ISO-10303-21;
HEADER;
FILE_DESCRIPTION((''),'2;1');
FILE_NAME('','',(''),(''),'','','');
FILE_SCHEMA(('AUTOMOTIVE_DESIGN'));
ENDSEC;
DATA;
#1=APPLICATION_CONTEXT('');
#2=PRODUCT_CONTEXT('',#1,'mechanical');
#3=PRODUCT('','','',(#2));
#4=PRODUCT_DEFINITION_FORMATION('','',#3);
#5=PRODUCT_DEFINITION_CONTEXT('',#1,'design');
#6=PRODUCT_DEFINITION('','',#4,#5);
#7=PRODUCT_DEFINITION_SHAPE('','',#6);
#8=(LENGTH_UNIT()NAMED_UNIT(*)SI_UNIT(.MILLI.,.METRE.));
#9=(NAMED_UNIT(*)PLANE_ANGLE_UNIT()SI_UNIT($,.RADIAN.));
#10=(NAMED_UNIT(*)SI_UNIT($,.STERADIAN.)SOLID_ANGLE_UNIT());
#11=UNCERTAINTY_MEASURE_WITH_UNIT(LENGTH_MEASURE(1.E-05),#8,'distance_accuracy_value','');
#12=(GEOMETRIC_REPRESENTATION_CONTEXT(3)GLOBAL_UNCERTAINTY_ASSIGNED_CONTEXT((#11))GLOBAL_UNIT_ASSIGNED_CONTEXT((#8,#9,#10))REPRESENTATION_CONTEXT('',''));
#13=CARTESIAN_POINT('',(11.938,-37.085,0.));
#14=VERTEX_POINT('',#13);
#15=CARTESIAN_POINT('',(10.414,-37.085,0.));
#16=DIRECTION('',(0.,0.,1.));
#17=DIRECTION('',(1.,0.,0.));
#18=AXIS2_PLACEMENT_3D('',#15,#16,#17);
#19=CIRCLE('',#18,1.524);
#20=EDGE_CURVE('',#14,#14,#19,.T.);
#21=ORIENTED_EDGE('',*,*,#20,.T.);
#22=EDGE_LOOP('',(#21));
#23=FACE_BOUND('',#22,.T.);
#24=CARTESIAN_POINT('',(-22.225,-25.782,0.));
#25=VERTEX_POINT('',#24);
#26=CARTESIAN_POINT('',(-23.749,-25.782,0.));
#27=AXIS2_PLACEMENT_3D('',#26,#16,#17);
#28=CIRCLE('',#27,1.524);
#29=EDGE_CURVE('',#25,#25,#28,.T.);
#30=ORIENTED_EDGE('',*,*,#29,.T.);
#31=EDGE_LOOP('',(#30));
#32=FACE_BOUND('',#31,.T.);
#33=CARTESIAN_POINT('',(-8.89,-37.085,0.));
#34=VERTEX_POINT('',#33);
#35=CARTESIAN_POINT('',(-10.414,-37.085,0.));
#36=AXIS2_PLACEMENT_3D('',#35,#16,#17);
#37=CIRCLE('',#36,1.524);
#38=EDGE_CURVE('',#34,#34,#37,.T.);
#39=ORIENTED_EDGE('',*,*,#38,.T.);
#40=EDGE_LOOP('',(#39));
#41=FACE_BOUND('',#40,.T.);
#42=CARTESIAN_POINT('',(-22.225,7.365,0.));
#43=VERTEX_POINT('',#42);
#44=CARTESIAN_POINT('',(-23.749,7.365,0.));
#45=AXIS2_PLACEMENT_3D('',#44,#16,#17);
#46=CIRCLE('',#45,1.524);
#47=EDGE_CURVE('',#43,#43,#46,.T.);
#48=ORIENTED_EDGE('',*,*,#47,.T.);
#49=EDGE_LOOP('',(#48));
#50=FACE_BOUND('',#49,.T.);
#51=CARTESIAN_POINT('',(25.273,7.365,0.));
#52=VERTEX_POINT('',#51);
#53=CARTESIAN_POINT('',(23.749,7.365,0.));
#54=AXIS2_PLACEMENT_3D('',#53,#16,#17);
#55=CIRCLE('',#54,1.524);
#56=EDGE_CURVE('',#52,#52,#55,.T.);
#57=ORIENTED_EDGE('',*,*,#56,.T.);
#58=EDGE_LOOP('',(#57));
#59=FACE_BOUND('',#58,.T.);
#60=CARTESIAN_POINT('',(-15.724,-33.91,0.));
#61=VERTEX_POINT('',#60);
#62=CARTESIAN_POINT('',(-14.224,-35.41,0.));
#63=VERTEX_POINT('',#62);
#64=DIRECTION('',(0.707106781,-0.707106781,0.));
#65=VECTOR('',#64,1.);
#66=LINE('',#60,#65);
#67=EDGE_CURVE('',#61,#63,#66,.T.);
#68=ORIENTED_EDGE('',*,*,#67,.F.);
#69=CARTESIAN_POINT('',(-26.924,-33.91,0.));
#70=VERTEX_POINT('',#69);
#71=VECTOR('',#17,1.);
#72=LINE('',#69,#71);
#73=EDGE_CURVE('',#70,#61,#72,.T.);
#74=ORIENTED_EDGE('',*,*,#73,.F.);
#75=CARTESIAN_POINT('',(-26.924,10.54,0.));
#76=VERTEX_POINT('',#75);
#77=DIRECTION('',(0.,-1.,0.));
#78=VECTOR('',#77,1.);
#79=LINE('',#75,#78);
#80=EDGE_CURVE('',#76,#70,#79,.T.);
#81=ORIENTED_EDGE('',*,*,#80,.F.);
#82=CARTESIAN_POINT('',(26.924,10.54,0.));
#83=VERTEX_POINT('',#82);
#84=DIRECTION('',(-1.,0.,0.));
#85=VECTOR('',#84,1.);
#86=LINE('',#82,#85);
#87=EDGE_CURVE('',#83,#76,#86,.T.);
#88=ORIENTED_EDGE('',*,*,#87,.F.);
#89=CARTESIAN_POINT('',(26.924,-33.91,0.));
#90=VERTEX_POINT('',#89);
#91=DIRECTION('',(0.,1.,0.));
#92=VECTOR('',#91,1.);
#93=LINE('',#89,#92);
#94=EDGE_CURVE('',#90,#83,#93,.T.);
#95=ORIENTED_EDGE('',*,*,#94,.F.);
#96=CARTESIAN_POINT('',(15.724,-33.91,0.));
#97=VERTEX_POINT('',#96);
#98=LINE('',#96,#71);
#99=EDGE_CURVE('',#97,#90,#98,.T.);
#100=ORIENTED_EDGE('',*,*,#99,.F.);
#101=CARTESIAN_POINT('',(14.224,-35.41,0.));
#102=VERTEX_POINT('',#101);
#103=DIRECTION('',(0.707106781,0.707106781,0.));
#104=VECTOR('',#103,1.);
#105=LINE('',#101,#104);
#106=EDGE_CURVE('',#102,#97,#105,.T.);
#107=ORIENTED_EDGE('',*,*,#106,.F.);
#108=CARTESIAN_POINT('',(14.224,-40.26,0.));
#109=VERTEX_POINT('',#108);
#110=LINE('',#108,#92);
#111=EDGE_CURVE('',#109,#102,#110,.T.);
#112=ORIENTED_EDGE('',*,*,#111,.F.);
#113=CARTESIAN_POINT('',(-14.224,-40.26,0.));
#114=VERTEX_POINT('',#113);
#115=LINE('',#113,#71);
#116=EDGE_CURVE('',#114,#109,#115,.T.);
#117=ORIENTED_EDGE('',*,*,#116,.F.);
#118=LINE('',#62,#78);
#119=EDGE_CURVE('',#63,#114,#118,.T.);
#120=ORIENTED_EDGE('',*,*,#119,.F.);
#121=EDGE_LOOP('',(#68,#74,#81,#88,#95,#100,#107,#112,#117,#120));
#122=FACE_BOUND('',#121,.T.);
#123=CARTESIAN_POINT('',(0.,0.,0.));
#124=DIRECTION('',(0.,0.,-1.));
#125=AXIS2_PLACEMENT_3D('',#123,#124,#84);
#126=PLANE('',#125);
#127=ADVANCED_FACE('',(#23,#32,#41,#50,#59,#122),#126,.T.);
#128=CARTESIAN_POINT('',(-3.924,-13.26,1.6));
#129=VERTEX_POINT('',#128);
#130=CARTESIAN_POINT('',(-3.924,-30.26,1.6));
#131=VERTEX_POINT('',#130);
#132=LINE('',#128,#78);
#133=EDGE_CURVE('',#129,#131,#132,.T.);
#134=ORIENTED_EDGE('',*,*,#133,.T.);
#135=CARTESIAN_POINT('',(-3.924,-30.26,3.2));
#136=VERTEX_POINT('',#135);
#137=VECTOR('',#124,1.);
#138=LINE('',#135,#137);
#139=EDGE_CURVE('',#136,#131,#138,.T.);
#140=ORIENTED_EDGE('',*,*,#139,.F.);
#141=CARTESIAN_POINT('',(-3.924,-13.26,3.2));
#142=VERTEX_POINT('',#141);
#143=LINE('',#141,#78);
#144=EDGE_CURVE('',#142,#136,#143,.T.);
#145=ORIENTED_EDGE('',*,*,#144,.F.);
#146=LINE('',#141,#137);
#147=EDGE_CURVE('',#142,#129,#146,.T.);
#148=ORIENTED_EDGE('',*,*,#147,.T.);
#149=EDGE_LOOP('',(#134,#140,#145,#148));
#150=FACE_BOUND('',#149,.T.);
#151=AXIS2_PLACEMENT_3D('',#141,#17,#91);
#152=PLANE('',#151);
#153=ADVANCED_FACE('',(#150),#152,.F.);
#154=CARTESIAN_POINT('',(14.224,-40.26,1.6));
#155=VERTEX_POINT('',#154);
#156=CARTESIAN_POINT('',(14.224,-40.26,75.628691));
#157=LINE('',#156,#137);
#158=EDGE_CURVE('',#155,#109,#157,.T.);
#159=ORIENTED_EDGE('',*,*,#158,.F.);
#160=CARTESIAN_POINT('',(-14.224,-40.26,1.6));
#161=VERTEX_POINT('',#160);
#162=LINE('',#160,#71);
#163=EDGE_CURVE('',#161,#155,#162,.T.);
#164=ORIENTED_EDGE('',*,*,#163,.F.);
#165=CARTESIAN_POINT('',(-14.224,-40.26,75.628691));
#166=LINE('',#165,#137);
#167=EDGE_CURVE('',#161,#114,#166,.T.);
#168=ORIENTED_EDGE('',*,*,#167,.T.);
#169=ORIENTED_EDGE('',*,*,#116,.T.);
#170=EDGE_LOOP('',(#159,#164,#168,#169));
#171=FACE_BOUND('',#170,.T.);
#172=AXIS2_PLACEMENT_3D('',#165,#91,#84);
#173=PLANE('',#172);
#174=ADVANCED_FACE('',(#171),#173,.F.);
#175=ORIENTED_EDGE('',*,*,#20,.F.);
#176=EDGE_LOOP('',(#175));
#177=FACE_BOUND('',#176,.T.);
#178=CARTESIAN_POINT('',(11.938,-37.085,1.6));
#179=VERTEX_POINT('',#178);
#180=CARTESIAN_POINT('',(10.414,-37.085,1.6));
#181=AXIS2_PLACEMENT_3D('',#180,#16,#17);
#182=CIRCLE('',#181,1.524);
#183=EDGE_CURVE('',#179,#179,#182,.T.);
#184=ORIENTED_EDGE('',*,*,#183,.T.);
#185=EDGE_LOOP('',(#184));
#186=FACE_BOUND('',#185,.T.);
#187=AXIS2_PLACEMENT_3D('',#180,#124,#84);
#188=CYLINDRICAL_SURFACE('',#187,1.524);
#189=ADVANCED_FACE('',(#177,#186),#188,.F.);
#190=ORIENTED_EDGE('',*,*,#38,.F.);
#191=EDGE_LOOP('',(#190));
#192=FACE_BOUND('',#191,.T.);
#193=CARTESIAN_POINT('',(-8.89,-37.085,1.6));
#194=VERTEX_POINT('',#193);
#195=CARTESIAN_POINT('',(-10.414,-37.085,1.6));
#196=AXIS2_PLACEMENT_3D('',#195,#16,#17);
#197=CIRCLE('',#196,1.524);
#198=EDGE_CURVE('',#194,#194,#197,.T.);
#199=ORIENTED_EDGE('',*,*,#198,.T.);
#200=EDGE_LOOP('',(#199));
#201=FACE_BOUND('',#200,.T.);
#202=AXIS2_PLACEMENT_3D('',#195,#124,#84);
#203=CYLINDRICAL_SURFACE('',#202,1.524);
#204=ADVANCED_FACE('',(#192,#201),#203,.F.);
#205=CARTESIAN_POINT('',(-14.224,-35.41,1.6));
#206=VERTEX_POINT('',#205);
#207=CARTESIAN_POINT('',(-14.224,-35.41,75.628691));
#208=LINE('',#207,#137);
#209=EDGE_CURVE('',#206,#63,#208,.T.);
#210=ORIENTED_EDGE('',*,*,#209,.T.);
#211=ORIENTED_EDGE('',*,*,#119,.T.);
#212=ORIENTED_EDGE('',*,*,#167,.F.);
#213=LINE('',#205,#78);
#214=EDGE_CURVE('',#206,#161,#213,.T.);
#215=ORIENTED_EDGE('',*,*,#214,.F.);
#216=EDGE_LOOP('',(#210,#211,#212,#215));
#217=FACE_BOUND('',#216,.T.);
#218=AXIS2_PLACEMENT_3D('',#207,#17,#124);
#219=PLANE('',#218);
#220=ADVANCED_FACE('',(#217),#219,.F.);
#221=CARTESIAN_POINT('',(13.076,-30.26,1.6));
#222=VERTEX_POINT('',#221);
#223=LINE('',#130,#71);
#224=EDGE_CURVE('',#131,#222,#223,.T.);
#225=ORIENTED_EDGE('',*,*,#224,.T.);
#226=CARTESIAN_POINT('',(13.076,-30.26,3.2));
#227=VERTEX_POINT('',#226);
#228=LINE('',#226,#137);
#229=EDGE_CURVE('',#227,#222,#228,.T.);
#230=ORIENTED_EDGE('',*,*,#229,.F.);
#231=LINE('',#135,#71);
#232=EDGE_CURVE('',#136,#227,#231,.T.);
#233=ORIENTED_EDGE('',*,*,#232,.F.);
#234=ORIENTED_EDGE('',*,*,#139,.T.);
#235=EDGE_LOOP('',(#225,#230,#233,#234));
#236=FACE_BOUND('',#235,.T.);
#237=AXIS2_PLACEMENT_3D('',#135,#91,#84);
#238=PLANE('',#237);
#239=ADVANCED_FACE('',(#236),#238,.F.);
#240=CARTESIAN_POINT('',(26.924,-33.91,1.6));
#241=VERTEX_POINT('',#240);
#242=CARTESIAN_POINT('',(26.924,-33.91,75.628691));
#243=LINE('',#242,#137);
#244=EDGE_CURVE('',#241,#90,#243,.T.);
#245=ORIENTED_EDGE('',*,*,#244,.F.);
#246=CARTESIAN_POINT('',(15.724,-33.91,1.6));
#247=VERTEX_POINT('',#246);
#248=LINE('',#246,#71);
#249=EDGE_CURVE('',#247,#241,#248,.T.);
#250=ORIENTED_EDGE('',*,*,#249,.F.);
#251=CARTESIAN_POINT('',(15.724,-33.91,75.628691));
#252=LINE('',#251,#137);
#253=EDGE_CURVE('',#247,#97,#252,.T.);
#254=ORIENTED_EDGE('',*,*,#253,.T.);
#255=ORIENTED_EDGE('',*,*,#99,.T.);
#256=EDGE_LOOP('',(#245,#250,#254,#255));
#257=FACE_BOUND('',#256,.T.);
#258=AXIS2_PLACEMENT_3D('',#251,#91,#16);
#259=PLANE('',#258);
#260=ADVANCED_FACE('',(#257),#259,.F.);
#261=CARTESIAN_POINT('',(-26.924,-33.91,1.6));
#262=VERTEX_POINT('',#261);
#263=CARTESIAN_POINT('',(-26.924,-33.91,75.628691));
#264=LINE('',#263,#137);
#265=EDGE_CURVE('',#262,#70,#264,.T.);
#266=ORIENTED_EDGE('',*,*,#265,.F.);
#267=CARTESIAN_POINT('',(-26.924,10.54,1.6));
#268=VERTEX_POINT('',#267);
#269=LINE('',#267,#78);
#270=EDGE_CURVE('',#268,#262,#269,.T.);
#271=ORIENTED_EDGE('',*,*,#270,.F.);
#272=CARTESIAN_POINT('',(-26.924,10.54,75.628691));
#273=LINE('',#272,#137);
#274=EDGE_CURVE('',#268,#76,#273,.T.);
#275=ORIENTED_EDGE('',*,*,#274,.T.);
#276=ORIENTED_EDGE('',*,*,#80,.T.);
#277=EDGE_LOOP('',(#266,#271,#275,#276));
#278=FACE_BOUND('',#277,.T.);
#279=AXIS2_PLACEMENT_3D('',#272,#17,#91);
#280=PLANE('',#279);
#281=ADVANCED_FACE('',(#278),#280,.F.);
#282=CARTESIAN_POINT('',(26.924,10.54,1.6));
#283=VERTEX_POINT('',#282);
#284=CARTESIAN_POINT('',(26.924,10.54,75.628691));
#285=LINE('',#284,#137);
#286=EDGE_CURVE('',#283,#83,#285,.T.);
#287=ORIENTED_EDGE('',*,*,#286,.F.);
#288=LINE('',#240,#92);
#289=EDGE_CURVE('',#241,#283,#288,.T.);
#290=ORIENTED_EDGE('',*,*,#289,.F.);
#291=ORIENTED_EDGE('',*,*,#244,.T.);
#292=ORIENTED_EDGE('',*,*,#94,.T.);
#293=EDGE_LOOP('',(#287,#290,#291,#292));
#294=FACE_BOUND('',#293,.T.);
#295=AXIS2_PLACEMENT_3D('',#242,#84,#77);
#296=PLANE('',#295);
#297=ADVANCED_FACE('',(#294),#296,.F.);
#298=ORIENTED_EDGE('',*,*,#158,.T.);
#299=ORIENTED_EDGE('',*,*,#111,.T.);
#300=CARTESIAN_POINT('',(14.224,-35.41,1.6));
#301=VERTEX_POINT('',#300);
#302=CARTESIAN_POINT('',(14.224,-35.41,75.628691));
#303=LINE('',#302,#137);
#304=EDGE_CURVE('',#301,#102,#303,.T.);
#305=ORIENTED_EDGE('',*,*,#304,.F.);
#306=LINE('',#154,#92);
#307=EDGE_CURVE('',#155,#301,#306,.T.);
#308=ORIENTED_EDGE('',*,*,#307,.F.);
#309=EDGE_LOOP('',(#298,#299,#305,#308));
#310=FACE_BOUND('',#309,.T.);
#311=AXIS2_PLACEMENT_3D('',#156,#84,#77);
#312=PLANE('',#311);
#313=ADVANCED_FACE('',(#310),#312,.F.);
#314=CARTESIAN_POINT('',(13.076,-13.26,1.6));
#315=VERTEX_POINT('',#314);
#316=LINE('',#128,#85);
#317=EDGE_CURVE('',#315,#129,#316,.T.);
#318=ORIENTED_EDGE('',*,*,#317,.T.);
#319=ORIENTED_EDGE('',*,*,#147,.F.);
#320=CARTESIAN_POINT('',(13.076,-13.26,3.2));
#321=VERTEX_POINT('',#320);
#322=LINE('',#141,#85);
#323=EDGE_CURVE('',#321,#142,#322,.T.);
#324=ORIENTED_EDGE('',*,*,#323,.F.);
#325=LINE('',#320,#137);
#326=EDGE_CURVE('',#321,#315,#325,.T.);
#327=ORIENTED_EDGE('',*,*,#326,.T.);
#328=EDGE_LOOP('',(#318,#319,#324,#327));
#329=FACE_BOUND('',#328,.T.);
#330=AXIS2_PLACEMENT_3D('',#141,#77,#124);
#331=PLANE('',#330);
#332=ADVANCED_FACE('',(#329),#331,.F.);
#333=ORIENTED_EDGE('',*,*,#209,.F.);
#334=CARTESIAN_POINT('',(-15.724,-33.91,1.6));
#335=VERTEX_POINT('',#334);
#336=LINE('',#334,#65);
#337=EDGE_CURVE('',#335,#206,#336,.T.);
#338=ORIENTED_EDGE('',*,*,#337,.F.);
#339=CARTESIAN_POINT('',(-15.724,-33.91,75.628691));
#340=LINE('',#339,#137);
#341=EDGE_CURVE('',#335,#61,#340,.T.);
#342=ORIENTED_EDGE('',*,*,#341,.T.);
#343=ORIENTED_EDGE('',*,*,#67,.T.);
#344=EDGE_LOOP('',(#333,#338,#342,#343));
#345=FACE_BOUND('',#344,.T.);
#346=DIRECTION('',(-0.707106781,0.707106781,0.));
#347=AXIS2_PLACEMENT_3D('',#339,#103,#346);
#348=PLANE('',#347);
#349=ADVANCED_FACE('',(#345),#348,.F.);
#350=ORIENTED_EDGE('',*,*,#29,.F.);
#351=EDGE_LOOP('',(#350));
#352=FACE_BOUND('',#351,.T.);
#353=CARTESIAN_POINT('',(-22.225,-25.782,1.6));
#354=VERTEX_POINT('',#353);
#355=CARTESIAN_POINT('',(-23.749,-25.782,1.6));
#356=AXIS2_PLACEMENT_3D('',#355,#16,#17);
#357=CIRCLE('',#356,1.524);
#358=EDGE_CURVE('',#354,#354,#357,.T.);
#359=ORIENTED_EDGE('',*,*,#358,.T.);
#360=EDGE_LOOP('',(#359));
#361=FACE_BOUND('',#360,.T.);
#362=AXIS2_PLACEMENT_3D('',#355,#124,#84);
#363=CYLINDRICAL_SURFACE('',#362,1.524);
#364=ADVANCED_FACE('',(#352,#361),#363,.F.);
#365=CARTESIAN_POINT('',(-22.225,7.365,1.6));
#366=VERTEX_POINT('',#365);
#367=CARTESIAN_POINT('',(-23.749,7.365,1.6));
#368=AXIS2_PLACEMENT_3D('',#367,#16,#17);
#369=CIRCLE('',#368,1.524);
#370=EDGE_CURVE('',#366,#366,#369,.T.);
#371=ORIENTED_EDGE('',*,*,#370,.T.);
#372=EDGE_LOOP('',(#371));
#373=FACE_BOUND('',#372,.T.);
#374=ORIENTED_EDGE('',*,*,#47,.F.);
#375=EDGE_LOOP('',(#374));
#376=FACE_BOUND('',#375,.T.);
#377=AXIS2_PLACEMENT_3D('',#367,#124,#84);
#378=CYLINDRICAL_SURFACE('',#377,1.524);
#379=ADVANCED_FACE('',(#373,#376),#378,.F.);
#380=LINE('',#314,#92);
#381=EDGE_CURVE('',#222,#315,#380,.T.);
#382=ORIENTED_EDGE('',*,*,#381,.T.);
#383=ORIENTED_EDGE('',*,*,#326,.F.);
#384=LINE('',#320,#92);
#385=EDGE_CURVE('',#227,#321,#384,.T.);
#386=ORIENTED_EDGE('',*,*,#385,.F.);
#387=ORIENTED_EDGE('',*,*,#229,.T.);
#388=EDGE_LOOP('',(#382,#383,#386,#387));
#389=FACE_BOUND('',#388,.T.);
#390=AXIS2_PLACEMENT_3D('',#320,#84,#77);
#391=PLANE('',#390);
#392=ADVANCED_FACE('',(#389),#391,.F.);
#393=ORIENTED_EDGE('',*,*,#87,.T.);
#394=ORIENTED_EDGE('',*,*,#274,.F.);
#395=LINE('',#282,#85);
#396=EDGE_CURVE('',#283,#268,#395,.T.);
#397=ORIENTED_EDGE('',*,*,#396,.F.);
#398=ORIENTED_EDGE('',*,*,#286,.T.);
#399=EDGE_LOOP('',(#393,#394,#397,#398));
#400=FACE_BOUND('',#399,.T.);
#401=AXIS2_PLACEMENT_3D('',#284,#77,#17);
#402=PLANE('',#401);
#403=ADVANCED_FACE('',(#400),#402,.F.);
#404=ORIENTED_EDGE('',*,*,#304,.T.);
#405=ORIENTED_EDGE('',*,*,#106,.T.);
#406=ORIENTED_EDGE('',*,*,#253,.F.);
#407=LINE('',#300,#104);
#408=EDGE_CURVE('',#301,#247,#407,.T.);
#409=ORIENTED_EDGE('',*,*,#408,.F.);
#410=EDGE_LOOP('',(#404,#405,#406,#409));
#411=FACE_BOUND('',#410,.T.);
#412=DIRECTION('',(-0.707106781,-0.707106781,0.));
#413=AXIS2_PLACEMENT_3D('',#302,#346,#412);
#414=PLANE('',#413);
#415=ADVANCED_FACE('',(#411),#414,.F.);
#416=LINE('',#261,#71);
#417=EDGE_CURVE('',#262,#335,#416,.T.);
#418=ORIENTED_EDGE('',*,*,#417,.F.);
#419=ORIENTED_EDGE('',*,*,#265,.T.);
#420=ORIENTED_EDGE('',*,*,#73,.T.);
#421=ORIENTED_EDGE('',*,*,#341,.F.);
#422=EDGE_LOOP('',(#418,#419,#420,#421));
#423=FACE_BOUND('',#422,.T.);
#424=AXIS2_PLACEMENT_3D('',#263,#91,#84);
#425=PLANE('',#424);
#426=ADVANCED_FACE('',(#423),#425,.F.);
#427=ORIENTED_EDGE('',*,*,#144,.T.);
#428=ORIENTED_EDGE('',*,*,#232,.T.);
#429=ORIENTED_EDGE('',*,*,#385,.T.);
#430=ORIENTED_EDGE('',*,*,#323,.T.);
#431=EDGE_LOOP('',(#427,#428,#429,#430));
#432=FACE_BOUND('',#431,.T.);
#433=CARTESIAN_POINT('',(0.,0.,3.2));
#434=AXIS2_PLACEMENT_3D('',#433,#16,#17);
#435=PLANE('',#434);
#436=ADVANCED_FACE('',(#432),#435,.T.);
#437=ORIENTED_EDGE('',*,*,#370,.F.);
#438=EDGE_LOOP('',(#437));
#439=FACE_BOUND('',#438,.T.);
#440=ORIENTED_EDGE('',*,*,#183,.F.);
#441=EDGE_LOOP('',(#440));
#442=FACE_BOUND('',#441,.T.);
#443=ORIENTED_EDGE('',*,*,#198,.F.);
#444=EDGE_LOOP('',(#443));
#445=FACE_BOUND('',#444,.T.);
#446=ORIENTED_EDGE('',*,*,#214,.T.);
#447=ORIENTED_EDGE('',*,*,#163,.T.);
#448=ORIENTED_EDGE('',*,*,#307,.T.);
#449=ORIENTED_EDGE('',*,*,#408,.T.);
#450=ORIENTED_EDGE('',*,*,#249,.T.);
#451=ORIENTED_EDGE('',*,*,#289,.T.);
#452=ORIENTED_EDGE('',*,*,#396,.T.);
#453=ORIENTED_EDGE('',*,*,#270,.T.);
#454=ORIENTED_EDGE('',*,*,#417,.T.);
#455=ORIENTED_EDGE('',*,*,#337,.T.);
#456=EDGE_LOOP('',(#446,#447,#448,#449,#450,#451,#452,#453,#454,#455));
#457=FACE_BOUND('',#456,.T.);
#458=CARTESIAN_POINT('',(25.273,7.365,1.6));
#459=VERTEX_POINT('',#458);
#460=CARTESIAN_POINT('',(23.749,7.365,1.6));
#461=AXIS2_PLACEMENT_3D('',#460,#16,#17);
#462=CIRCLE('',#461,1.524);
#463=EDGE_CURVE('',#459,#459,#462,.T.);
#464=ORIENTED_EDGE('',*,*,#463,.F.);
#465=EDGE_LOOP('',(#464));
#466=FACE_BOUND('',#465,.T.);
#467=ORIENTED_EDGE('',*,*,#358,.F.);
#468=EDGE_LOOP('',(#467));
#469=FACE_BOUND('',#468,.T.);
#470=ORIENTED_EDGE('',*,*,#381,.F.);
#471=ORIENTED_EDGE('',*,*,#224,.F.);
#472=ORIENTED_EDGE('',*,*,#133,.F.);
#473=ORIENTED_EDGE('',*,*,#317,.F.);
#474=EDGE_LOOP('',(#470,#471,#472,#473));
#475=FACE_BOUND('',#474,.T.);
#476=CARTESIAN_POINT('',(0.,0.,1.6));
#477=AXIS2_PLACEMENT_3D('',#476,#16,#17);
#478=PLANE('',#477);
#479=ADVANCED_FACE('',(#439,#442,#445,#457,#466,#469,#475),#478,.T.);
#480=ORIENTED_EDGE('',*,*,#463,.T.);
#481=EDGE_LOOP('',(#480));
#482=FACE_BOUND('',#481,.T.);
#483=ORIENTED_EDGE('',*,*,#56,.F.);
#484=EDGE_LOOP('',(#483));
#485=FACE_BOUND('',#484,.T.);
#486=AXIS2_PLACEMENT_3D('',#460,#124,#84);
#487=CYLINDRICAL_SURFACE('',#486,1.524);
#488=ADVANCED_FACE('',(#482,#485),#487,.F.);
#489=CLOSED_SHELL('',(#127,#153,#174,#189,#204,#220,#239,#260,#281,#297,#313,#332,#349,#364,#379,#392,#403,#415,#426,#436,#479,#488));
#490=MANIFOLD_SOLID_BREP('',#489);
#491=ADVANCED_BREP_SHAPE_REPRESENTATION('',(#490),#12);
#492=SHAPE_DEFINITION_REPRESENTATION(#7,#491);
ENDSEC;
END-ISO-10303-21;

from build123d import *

# Parameters (mm, degrees)
EXTRUDE1_DEPTH = 1.6
SKETCH2_R      = 1.524
EXTRUDE2_DEPTH = 2.6
SKETCH4_W      = 17
SKETCH4_H      = 17
EXTRUDE3_DEPTH = 1.6


with BuildPart() as part:
    # Sketch1 → Extrude1 (new body)
    with BuildSketch(Plane.XY):
        Polygon((15.724, -33.91), (26.924, -33.91), (26.924, 10.54), (-26.924, 10.54), (-26.924, -33.91), (-15.724, -33.91), (-14.224, -35.41), (-14.224, -40.26), (14.224, -40.26), (14.224, -35.41), align=None)
    extrude(amount=EXTRUDE1_DEPTH)

    # Sketch2 → Extrude2 (cut, through all)
    with BuildSketch(Plane.XY):
        with Locations((23.749, 7.365)):
            Circle(SKETCH2_R)
        with Locations((10.414, -37.085)):
            Circle(SKETCH2_R)
        with Locations((-10.414, -37.085)):
            Circle(SKETCH2_R)
        with Locations((-23.749, -25.782)):
            Circle(SKETCH2_R)
        with Locations((-23.749, 7.365)):
            Circle(SKETCH2_R)
    extrude(amount=EXTRUDE2_DEPTH, mode=Mode.SUBTRACT)

    # Sketch4 → Extrude3 (add)
    with BuildSketch(Plane.XY.offset(1.6)):
        with Locations((4.576, -21.76)):
            Rectangle(SKETCH4_W, SKETCH4_H)
    extrude(amount=EXTRUDE3_DEPTH)


solid = part.part
